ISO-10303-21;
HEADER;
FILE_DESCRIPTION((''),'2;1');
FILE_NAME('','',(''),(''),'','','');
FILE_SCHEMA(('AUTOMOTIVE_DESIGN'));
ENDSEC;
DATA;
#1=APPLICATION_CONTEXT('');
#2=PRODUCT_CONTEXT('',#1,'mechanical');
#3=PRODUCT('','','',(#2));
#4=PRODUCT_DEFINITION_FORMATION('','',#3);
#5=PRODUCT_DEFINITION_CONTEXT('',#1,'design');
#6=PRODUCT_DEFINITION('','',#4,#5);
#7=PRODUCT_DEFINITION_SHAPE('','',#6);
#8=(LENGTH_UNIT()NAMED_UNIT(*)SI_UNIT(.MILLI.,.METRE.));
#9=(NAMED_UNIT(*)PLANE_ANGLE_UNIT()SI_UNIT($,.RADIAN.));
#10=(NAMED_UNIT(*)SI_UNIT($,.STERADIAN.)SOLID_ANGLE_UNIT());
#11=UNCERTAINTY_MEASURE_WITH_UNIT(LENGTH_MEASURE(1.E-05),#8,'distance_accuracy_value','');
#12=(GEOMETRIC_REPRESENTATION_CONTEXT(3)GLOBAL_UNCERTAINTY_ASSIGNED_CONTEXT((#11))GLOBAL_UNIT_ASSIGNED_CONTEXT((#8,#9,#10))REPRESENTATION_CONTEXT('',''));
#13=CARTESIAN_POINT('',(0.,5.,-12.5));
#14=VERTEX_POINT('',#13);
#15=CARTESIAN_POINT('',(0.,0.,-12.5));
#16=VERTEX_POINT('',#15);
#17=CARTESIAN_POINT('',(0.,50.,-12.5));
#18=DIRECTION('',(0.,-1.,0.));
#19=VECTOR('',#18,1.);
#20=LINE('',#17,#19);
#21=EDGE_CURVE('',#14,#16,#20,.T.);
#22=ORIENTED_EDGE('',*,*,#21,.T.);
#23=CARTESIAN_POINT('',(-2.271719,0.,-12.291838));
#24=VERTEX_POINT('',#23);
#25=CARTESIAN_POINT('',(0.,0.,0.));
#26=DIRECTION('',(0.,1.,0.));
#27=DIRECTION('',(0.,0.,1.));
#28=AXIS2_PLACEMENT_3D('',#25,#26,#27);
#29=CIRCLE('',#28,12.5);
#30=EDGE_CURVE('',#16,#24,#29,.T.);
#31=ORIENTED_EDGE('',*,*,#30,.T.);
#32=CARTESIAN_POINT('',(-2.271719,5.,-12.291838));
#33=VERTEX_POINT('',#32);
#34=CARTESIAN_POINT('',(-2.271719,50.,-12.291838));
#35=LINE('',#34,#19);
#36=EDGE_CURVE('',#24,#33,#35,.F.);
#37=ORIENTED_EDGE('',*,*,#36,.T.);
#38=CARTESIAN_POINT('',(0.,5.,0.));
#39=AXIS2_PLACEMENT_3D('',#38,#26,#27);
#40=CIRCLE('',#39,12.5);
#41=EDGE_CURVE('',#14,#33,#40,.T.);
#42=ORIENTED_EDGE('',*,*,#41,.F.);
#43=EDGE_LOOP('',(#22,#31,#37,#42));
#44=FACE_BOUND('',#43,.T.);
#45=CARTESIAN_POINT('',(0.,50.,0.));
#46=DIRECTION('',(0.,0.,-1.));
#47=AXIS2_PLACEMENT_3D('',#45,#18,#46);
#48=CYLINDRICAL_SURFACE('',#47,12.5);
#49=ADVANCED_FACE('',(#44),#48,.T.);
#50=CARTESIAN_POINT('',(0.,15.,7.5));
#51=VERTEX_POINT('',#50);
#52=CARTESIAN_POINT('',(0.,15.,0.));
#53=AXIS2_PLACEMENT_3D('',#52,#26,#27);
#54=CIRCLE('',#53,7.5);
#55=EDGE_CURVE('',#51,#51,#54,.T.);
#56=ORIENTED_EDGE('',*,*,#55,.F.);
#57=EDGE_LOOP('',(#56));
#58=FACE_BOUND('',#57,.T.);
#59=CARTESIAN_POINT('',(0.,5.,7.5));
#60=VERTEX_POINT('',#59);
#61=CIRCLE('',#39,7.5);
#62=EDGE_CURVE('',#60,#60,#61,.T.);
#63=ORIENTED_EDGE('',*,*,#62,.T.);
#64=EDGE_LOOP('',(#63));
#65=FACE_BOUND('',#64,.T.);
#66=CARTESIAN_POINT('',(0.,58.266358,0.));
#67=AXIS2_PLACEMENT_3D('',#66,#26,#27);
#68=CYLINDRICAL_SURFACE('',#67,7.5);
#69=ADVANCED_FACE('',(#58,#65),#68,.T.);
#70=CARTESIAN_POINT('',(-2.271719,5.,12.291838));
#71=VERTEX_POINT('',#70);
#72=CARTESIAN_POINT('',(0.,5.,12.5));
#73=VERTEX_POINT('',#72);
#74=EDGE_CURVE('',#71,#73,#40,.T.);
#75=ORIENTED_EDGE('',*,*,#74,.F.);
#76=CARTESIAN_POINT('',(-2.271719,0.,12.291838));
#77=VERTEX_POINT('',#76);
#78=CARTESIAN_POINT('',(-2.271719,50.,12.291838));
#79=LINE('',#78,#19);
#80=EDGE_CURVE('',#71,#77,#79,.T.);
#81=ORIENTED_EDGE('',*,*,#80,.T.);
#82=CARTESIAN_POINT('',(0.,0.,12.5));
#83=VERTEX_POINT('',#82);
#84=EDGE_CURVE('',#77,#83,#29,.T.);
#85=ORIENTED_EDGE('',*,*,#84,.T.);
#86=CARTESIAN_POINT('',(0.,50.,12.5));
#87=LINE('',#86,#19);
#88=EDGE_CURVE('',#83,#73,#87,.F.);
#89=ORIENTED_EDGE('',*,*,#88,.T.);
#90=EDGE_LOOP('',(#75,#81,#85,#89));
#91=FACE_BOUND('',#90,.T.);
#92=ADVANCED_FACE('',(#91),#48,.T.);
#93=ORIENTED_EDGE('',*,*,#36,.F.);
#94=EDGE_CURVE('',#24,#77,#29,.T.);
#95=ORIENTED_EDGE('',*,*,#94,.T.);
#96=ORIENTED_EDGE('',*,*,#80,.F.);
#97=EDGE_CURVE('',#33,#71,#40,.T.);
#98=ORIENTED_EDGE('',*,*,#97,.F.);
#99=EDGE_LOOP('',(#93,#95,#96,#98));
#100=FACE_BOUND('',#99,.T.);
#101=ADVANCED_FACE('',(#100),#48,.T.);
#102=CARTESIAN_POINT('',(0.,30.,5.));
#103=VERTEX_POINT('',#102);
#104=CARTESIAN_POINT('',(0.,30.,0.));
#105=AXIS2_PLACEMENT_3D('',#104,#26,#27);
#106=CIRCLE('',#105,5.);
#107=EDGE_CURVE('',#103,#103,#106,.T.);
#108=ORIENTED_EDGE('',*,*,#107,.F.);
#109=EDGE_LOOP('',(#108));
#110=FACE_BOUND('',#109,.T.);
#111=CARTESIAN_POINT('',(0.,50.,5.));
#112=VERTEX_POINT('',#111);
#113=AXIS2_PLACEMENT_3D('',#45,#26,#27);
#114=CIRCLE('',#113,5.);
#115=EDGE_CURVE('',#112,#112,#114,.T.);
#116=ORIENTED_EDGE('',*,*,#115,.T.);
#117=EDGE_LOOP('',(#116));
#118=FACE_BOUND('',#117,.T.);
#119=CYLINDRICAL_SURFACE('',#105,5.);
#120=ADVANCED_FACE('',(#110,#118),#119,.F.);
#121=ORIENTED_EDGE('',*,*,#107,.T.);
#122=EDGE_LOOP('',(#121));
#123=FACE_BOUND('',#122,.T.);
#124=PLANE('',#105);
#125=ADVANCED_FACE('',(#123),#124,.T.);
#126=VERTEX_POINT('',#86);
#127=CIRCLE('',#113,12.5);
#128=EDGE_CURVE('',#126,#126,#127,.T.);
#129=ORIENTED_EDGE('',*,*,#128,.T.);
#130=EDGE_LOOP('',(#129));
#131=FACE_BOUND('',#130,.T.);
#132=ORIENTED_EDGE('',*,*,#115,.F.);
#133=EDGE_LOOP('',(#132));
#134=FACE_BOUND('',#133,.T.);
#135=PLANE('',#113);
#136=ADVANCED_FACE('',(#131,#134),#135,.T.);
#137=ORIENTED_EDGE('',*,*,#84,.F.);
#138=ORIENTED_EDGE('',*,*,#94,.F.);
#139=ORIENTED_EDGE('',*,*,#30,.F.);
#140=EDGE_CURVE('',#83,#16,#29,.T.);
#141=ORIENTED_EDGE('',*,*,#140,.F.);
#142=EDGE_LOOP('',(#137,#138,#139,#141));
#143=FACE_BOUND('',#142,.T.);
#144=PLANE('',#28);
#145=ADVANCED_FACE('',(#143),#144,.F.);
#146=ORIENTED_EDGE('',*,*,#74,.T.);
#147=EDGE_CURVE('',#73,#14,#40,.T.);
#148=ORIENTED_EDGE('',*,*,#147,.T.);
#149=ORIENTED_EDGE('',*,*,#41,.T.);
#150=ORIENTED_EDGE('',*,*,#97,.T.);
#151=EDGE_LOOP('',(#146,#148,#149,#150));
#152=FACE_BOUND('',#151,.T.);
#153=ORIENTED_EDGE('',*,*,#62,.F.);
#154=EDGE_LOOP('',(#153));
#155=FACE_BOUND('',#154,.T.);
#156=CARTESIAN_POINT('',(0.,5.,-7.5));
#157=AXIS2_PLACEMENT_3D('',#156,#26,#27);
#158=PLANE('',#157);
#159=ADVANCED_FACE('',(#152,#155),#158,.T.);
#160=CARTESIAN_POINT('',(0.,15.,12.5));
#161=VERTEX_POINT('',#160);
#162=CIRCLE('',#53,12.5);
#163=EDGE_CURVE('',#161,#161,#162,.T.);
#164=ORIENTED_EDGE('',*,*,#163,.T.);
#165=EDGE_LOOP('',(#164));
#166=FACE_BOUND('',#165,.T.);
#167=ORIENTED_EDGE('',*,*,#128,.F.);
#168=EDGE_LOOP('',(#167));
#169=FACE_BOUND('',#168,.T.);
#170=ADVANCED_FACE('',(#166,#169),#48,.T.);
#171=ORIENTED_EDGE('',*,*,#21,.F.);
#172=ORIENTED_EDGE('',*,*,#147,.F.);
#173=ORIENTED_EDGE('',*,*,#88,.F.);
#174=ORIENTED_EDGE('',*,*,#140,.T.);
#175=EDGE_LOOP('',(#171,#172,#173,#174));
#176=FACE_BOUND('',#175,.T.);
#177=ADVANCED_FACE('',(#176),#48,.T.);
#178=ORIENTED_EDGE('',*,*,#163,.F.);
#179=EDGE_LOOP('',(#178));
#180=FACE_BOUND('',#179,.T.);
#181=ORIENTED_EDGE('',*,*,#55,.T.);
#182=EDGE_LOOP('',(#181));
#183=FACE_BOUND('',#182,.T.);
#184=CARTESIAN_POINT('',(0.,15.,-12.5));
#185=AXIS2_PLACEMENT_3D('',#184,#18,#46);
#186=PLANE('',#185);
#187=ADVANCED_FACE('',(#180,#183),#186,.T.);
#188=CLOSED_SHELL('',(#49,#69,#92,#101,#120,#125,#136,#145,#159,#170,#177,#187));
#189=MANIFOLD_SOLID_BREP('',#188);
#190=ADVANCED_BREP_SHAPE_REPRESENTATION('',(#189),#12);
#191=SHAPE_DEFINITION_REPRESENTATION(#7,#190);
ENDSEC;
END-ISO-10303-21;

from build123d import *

# Parameters (mm, degrees)
SKETCH1_R           = 12.5
BOSS_EXTRUDE1_DEPTH = 50
SKETCH2_R           = 5
CUT_EXTRUDE1_DEPTH  = 20
SKETCH3_W           = 5
SKETCH3_H           = 10


with BuildPart() as part:
    # Sketch1 → Boss-Extrude1 (new body)
    with BuildSketch(Plane(origin=(0, 0, 0), x_dir=(1, 0, 0), z_dir=(0, 1, 0))):
        with Locations(Location((0, 0, 0), (0, 0, 270))):
            Circle(SKETCH1_R)
    extrude(amount=BOSS_EXTRUDE1_DEPTH)

    # Sketch2 → Cut-Extrude1 (cut)
    with BuildSketch(Plane(origin=(0, 50, 0), x_dir=(1, 0, 0), z_dir=(0, 1, 0))):
        with Locations(Location((0, 0, 0), (0, 0, 270))):
            Circle(SKETCH2_R)
    extrude(amount=-CUT_EXTRUDE1_DEPTH, mode=Mode.SUBTRACT)

    # Sketch3 → Cut-Revolve1 (revolve, cut)
    with BuildSketch(Plane(origin=(0, 0, 0), x_dir=(0, 0, -1), z_dir=(1, 0, 0)), mode=Mode.PRIVATE) as cut_revolve1_sk:
        with Locations((10, 10)):
            Rectangle(SKETCH3_W, SKETCH3_H)
    revolve(cut_revolve1_sk.sketch.rotate(Axis((0, 58.266357572, 0), (0, -1, 0)), 180), axis=Axis((0, 58.266357572, 0), (0, -1, 0)), mode=Mode.SUBTRACT)


solid = part.part
